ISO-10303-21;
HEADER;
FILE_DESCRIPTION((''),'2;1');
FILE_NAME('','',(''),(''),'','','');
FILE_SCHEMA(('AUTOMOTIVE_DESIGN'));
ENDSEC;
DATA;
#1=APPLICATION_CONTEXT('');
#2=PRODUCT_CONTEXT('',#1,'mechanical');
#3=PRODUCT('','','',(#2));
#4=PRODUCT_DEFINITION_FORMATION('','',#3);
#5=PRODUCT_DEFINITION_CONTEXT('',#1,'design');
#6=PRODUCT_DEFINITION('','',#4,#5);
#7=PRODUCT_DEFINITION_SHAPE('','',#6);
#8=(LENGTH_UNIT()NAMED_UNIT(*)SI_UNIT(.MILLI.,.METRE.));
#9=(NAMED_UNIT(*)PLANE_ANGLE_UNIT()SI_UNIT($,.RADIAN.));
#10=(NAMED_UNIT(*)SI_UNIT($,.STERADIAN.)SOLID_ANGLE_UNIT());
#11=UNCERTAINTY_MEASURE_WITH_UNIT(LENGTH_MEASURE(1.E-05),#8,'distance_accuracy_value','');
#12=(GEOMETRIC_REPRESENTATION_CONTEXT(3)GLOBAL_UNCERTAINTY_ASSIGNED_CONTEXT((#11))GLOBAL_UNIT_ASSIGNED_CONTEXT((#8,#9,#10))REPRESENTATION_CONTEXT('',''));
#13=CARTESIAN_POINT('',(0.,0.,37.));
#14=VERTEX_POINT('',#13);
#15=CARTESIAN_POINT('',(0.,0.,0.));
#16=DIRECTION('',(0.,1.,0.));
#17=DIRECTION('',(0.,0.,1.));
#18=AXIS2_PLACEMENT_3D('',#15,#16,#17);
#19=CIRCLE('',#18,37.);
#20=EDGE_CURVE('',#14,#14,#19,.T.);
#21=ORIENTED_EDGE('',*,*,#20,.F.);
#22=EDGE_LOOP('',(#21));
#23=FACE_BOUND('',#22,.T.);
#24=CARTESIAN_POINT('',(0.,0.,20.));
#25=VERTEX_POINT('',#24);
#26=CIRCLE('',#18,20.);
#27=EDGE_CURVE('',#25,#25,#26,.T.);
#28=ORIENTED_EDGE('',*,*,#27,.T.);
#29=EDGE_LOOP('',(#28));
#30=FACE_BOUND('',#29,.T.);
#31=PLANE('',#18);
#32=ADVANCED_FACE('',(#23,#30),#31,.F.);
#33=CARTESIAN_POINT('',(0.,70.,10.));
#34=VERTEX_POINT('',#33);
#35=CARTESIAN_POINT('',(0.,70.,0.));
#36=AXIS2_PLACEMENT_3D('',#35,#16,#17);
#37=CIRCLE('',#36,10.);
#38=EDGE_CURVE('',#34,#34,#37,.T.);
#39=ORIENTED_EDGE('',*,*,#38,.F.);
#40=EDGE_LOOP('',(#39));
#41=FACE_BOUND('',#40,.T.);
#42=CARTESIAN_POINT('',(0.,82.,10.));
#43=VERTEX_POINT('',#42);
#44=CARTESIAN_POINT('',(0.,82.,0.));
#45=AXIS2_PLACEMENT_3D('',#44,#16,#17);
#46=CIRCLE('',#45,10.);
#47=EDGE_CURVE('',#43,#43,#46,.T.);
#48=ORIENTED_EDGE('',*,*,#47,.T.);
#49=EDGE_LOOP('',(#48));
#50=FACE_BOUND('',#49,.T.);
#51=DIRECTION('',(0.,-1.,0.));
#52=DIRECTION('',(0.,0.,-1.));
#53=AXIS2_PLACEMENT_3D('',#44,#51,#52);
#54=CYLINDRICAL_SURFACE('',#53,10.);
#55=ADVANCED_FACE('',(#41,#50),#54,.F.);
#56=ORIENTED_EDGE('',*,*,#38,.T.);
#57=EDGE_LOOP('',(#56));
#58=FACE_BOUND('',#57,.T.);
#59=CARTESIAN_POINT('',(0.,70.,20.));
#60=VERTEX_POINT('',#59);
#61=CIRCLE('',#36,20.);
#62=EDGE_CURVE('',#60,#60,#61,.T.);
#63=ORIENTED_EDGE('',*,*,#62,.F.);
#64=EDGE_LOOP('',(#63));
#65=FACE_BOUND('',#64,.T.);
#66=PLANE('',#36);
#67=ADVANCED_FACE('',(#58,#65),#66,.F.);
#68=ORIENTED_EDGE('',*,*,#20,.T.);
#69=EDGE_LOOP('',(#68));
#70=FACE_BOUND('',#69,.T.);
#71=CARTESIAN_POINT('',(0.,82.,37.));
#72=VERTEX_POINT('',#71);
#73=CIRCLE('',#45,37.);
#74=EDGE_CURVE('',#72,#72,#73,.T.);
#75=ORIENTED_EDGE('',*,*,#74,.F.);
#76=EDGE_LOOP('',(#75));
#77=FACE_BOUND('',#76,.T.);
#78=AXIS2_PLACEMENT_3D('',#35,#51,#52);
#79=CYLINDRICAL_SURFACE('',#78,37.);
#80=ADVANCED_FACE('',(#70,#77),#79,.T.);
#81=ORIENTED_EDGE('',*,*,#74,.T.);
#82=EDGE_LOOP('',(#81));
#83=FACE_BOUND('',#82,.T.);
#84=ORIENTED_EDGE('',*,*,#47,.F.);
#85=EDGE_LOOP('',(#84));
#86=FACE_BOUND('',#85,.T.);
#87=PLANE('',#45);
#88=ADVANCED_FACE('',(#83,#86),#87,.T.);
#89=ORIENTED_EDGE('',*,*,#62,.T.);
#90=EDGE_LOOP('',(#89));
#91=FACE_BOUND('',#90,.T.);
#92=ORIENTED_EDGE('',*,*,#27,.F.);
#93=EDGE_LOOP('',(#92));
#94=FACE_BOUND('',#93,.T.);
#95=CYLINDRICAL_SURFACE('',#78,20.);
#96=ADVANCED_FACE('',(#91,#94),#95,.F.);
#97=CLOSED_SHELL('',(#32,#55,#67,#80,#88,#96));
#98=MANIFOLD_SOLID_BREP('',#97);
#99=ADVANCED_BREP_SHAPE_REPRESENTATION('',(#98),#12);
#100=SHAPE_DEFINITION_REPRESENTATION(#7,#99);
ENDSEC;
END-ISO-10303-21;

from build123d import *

# Parameters (mm, degrees)
SKETCH_1_R      = 37
SKETCH_1_R_2    = 20
EXTRUDE_1_DEPTH = 70
SKETCH_2_R      = 37
SKETCH_2_R_2    = 10
EXTRUDE_2_DEPTH = 12


with BuildPart() as part:
    # Эскиз1 → Бобышка-Вытянуть1 (new body)
    with BuildSketch(Plane(origin=(0, 0, 0), x_dir=(1, 0, 0), z_dir=(0, 1, 0))):
        with Locations(Location((0, 0, 0), (0, 0, 270))):
            Circle(SKETCH_1_R)
        with Locations(Location((0, 0, 0), (0, 0, 270))):
            Circle(SKETCH_1_R_2, mode=Mode.SUBTRACT)
    extrude(amount=EXTRUDE_1_DEPTH)

    # Эскиз2 → Бобышка-Вытянуть2 (add)
    with BuildSketch(Plane(origin=(0, 70, 0), x_dir=(1, 0, 0), z_dir=(0, 1, 0))):
        with Locations(Location((0, 0, 0), (0, 0, 270))):
            Circle(SKETCH_2_R)
        with Locations(Location((0, 0, 0), (0, 0, 270))):
            Circle(SKETCH_2_R_2, mode=Mode.SUBTRACT)
    extrude(amount=EXTRUDE_2_DEPTH)


solid = part.part
